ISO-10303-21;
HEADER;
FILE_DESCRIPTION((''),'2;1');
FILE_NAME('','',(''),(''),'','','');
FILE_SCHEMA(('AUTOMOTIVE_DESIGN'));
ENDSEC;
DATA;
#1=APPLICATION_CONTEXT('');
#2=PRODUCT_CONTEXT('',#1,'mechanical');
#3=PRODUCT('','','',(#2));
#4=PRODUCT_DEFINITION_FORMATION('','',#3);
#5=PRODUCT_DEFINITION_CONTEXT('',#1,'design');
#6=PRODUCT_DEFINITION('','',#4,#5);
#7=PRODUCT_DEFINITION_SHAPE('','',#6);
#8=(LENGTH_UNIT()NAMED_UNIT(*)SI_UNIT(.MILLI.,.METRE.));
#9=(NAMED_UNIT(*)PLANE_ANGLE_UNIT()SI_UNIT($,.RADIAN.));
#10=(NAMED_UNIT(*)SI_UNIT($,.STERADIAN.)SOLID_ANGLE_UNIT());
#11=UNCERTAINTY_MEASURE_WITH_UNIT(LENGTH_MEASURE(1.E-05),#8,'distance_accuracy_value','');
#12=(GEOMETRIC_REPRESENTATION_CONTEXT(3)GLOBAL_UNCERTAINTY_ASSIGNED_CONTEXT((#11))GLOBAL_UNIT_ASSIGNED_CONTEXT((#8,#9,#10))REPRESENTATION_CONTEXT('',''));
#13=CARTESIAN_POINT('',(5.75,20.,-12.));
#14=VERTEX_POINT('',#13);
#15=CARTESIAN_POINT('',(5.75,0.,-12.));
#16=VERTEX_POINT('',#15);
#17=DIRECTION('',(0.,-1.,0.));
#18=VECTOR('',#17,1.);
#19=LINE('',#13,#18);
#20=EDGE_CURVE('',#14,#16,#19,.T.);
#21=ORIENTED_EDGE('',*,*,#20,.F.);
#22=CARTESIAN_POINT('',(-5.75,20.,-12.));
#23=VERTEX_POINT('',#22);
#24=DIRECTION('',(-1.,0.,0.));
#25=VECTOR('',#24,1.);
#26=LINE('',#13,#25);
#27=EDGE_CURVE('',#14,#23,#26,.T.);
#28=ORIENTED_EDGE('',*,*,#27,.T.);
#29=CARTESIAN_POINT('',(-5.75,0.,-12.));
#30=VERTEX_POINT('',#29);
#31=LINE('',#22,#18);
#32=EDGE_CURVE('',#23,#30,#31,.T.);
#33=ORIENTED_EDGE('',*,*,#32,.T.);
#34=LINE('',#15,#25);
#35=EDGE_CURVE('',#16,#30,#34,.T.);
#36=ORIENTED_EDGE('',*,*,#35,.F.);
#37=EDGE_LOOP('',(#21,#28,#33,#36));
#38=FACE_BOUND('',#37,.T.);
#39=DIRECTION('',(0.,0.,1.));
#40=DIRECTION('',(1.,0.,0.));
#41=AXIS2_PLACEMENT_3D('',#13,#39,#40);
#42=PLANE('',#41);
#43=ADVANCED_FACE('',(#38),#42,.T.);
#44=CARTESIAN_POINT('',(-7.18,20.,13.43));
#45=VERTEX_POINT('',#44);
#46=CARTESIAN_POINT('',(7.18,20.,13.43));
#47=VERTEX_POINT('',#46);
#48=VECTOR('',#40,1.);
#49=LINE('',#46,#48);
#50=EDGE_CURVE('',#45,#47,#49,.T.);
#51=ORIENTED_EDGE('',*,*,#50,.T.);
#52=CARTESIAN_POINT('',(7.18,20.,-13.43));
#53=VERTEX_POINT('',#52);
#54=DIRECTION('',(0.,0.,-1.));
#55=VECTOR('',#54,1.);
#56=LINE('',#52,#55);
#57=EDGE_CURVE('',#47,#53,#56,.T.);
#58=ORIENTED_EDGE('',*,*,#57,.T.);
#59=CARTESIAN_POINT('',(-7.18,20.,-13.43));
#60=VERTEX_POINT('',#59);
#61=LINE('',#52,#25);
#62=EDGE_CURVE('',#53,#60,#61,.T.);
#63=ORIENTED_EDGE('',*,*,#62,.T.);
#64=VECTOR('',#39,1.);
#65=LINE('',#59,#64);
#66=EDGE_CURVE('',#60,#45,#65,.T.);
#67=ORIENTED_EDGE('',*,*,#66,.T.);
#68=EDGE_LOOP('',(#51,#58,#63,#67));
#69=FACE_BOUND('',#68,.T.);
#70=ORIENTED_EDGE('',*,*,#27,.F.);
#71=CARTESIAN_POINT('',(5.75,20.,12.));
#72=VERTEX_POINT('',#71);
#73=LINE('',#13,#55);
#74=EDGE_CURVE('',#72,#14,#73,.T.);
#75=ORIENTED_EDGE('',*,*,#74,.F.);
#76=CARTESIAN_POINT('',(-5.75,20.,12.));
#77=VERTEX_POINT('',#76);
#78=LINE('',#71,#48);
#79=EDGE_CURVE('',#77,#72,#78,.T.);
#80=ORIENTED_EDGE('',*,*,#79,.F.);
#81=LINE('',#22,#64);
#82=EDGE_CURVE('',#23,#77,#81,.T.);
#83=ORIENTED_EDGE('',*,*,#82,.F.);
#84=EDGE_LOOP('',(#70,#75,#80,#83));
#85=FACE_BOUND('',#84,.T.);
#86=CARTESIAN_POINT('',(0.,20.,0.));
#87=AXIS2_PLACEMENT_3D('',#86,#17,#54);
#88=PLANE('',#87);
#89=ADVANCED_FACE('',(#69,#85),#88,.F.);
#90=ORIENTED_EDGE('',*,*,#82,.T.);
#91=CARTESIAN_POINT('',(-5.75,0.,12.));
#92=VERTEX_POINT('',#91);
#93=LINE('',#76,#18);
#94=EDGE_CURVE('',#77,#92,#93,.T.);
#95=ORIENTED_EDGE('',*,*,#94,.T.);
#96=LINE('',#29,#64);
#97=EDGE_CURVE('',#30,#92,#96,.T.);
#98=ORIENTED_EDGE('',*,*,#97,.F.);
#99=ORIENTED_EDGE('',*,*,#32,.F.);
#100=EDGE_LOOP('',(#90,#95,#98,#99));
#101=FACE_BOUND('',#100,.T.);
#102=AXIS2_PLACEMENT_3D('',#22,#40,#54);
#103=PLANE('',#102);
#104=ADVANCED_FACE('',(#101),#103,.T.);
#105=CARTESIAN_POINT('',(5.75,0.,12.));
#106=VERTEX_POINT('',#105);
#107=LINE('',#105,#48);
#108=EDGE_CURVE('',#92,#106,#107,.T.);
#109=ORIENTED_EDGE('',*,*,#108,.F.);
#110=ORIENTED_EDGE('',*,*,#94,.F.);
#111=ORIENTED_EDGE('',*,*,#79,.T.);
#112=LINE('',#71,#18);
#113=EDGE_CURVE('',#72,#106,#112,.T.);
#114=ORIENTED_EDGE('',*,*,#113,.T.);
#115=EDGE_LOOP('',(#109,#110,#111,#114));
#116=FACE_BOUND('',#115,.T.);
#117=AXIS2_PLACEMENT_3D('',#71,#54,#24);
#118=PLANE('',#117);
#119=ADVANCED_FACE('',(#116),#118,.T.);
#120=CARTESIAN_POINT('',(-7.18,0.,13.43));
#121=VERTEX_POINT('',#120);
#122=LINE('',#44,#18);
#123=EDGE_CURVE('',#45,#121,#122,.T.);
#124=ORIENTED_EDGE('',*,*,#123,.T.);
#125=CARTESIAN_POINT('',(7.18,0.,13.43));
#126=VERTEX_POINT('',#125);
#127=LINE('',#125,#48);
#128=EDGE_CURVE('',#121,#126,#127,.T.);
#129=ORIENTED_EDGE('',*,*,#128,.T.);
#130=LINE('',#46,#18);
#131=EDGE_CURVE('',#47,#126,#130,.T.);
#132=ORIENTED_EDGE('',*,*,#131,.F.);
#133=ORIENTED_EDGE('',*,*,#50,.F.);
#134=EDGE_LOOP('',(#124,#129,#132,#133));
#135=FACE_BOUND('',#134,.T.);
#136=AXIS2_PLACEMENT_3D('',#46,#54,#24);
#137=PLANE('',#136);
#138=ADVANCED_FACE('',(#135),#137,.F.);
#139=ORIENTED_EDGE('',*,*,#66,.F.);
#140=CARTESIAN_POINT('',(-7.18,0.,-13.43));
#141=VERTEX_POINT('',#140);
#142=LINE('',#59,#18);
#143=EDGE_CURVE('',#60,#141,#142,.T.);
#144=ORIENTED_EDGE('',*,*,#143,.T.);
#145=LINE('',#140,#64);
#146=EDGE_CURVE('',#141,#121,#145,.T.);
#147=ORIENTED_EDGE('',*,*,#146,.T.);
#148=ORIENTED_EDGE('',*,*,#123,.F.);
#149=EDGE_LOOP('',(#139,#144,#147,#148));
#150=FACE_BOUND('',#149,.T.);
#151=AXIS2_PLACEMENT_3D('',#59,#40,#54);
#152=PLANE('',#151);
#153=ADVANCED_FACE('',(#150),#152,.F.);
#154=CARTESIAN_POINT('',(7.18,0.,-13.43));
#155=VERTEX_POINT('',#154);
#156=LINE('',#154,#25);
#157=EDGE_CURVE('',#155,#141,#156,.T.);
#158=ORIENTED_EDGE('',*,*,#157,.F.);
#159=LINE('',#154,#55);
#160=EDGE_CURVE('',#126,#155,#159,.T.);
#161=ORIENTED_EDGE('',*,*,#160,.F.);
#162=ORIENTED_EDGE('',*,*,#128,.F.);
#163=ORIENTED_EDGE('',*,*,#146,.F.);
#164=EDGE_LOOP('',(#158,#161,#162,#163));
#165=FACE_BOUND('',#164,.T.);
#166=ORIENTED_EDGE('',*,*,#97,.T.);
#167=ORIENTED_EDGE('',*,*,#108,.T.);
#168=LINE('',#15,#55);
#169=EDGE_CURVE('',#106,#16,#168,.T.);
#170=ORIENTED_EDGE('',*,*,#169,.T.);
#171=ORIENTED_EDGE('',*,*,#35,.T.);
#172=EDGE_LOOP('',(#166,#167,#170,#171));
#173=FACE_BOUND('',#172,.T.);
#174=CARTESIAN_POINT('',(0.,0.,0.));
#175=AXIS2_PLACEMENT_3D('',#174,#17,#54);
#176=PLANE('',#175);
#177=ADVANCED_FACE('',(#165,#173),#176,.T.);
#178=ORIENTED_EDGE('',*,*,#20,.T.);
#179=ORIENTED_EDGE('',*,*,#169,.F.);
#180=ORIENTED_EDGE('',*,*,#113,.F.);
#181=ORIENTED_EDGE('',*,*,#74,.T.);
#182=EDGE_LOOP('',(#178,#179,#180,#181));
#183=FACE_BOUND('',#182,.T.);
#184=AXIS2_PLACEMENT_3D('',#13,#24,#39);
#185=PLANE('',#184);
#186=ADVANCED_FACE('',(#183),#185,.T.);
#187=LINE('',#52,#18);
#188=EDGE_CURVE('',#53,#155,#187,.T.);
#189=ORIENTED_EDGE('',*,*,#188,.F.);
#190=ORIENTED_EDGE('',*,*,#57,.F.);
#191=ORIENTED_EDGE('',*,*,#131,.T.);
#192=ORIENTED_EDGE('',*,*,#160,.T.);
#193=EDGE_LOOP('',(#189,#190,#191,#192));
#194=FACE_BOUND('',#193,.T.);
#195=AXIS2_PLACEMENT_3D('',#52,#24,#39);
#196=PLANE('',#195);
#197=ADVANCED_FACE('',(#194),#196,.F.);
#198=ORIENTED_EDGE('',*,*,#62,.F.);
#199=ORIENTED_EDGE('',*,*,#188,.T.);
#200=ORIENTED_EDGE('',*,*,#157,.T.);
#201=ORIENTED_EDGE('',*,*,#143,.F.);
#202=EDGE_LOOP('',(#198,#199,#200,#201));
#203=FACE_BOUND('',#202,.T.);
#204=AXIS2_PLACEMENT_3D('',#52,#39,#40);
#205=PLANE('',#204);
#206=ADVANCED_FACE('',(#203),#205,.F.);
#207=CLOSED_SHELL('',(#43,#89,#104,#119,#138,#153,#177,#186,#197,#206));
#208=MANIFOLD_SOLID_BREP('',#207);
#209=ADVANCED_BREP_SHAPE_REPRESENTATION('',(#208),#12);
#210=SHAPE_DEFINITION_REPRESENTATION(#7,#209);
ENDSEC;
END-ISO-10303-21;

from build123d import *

# Parameters (mm, degrees)
SKETCH1_W           = 14.36
SKETCH1_H           = 26.86
SKETCH1_W_2         = 11.5
SKETCH1_H_2         = 24
BOSS_EXTRUDE1_DEPTH = 20


with BuildPart() as part:
    # Sketch1 → Boss-Extrude1 (new body)
    with BuildSketch(Plane(origin=(0, 0, 0), x_dir=(1, 0, 0), z_dir=(0, 1, 0))):
        Rectangle(SKETCH1_W, SKETCH1_H)
        Rectangle(SKETCH1_W_2, SKETCH1_H_2, mode=Mode.SUBTRACT)
    extrude(amount=BOSS_EXTRUDE1_DEPTH)


solid = part.part
